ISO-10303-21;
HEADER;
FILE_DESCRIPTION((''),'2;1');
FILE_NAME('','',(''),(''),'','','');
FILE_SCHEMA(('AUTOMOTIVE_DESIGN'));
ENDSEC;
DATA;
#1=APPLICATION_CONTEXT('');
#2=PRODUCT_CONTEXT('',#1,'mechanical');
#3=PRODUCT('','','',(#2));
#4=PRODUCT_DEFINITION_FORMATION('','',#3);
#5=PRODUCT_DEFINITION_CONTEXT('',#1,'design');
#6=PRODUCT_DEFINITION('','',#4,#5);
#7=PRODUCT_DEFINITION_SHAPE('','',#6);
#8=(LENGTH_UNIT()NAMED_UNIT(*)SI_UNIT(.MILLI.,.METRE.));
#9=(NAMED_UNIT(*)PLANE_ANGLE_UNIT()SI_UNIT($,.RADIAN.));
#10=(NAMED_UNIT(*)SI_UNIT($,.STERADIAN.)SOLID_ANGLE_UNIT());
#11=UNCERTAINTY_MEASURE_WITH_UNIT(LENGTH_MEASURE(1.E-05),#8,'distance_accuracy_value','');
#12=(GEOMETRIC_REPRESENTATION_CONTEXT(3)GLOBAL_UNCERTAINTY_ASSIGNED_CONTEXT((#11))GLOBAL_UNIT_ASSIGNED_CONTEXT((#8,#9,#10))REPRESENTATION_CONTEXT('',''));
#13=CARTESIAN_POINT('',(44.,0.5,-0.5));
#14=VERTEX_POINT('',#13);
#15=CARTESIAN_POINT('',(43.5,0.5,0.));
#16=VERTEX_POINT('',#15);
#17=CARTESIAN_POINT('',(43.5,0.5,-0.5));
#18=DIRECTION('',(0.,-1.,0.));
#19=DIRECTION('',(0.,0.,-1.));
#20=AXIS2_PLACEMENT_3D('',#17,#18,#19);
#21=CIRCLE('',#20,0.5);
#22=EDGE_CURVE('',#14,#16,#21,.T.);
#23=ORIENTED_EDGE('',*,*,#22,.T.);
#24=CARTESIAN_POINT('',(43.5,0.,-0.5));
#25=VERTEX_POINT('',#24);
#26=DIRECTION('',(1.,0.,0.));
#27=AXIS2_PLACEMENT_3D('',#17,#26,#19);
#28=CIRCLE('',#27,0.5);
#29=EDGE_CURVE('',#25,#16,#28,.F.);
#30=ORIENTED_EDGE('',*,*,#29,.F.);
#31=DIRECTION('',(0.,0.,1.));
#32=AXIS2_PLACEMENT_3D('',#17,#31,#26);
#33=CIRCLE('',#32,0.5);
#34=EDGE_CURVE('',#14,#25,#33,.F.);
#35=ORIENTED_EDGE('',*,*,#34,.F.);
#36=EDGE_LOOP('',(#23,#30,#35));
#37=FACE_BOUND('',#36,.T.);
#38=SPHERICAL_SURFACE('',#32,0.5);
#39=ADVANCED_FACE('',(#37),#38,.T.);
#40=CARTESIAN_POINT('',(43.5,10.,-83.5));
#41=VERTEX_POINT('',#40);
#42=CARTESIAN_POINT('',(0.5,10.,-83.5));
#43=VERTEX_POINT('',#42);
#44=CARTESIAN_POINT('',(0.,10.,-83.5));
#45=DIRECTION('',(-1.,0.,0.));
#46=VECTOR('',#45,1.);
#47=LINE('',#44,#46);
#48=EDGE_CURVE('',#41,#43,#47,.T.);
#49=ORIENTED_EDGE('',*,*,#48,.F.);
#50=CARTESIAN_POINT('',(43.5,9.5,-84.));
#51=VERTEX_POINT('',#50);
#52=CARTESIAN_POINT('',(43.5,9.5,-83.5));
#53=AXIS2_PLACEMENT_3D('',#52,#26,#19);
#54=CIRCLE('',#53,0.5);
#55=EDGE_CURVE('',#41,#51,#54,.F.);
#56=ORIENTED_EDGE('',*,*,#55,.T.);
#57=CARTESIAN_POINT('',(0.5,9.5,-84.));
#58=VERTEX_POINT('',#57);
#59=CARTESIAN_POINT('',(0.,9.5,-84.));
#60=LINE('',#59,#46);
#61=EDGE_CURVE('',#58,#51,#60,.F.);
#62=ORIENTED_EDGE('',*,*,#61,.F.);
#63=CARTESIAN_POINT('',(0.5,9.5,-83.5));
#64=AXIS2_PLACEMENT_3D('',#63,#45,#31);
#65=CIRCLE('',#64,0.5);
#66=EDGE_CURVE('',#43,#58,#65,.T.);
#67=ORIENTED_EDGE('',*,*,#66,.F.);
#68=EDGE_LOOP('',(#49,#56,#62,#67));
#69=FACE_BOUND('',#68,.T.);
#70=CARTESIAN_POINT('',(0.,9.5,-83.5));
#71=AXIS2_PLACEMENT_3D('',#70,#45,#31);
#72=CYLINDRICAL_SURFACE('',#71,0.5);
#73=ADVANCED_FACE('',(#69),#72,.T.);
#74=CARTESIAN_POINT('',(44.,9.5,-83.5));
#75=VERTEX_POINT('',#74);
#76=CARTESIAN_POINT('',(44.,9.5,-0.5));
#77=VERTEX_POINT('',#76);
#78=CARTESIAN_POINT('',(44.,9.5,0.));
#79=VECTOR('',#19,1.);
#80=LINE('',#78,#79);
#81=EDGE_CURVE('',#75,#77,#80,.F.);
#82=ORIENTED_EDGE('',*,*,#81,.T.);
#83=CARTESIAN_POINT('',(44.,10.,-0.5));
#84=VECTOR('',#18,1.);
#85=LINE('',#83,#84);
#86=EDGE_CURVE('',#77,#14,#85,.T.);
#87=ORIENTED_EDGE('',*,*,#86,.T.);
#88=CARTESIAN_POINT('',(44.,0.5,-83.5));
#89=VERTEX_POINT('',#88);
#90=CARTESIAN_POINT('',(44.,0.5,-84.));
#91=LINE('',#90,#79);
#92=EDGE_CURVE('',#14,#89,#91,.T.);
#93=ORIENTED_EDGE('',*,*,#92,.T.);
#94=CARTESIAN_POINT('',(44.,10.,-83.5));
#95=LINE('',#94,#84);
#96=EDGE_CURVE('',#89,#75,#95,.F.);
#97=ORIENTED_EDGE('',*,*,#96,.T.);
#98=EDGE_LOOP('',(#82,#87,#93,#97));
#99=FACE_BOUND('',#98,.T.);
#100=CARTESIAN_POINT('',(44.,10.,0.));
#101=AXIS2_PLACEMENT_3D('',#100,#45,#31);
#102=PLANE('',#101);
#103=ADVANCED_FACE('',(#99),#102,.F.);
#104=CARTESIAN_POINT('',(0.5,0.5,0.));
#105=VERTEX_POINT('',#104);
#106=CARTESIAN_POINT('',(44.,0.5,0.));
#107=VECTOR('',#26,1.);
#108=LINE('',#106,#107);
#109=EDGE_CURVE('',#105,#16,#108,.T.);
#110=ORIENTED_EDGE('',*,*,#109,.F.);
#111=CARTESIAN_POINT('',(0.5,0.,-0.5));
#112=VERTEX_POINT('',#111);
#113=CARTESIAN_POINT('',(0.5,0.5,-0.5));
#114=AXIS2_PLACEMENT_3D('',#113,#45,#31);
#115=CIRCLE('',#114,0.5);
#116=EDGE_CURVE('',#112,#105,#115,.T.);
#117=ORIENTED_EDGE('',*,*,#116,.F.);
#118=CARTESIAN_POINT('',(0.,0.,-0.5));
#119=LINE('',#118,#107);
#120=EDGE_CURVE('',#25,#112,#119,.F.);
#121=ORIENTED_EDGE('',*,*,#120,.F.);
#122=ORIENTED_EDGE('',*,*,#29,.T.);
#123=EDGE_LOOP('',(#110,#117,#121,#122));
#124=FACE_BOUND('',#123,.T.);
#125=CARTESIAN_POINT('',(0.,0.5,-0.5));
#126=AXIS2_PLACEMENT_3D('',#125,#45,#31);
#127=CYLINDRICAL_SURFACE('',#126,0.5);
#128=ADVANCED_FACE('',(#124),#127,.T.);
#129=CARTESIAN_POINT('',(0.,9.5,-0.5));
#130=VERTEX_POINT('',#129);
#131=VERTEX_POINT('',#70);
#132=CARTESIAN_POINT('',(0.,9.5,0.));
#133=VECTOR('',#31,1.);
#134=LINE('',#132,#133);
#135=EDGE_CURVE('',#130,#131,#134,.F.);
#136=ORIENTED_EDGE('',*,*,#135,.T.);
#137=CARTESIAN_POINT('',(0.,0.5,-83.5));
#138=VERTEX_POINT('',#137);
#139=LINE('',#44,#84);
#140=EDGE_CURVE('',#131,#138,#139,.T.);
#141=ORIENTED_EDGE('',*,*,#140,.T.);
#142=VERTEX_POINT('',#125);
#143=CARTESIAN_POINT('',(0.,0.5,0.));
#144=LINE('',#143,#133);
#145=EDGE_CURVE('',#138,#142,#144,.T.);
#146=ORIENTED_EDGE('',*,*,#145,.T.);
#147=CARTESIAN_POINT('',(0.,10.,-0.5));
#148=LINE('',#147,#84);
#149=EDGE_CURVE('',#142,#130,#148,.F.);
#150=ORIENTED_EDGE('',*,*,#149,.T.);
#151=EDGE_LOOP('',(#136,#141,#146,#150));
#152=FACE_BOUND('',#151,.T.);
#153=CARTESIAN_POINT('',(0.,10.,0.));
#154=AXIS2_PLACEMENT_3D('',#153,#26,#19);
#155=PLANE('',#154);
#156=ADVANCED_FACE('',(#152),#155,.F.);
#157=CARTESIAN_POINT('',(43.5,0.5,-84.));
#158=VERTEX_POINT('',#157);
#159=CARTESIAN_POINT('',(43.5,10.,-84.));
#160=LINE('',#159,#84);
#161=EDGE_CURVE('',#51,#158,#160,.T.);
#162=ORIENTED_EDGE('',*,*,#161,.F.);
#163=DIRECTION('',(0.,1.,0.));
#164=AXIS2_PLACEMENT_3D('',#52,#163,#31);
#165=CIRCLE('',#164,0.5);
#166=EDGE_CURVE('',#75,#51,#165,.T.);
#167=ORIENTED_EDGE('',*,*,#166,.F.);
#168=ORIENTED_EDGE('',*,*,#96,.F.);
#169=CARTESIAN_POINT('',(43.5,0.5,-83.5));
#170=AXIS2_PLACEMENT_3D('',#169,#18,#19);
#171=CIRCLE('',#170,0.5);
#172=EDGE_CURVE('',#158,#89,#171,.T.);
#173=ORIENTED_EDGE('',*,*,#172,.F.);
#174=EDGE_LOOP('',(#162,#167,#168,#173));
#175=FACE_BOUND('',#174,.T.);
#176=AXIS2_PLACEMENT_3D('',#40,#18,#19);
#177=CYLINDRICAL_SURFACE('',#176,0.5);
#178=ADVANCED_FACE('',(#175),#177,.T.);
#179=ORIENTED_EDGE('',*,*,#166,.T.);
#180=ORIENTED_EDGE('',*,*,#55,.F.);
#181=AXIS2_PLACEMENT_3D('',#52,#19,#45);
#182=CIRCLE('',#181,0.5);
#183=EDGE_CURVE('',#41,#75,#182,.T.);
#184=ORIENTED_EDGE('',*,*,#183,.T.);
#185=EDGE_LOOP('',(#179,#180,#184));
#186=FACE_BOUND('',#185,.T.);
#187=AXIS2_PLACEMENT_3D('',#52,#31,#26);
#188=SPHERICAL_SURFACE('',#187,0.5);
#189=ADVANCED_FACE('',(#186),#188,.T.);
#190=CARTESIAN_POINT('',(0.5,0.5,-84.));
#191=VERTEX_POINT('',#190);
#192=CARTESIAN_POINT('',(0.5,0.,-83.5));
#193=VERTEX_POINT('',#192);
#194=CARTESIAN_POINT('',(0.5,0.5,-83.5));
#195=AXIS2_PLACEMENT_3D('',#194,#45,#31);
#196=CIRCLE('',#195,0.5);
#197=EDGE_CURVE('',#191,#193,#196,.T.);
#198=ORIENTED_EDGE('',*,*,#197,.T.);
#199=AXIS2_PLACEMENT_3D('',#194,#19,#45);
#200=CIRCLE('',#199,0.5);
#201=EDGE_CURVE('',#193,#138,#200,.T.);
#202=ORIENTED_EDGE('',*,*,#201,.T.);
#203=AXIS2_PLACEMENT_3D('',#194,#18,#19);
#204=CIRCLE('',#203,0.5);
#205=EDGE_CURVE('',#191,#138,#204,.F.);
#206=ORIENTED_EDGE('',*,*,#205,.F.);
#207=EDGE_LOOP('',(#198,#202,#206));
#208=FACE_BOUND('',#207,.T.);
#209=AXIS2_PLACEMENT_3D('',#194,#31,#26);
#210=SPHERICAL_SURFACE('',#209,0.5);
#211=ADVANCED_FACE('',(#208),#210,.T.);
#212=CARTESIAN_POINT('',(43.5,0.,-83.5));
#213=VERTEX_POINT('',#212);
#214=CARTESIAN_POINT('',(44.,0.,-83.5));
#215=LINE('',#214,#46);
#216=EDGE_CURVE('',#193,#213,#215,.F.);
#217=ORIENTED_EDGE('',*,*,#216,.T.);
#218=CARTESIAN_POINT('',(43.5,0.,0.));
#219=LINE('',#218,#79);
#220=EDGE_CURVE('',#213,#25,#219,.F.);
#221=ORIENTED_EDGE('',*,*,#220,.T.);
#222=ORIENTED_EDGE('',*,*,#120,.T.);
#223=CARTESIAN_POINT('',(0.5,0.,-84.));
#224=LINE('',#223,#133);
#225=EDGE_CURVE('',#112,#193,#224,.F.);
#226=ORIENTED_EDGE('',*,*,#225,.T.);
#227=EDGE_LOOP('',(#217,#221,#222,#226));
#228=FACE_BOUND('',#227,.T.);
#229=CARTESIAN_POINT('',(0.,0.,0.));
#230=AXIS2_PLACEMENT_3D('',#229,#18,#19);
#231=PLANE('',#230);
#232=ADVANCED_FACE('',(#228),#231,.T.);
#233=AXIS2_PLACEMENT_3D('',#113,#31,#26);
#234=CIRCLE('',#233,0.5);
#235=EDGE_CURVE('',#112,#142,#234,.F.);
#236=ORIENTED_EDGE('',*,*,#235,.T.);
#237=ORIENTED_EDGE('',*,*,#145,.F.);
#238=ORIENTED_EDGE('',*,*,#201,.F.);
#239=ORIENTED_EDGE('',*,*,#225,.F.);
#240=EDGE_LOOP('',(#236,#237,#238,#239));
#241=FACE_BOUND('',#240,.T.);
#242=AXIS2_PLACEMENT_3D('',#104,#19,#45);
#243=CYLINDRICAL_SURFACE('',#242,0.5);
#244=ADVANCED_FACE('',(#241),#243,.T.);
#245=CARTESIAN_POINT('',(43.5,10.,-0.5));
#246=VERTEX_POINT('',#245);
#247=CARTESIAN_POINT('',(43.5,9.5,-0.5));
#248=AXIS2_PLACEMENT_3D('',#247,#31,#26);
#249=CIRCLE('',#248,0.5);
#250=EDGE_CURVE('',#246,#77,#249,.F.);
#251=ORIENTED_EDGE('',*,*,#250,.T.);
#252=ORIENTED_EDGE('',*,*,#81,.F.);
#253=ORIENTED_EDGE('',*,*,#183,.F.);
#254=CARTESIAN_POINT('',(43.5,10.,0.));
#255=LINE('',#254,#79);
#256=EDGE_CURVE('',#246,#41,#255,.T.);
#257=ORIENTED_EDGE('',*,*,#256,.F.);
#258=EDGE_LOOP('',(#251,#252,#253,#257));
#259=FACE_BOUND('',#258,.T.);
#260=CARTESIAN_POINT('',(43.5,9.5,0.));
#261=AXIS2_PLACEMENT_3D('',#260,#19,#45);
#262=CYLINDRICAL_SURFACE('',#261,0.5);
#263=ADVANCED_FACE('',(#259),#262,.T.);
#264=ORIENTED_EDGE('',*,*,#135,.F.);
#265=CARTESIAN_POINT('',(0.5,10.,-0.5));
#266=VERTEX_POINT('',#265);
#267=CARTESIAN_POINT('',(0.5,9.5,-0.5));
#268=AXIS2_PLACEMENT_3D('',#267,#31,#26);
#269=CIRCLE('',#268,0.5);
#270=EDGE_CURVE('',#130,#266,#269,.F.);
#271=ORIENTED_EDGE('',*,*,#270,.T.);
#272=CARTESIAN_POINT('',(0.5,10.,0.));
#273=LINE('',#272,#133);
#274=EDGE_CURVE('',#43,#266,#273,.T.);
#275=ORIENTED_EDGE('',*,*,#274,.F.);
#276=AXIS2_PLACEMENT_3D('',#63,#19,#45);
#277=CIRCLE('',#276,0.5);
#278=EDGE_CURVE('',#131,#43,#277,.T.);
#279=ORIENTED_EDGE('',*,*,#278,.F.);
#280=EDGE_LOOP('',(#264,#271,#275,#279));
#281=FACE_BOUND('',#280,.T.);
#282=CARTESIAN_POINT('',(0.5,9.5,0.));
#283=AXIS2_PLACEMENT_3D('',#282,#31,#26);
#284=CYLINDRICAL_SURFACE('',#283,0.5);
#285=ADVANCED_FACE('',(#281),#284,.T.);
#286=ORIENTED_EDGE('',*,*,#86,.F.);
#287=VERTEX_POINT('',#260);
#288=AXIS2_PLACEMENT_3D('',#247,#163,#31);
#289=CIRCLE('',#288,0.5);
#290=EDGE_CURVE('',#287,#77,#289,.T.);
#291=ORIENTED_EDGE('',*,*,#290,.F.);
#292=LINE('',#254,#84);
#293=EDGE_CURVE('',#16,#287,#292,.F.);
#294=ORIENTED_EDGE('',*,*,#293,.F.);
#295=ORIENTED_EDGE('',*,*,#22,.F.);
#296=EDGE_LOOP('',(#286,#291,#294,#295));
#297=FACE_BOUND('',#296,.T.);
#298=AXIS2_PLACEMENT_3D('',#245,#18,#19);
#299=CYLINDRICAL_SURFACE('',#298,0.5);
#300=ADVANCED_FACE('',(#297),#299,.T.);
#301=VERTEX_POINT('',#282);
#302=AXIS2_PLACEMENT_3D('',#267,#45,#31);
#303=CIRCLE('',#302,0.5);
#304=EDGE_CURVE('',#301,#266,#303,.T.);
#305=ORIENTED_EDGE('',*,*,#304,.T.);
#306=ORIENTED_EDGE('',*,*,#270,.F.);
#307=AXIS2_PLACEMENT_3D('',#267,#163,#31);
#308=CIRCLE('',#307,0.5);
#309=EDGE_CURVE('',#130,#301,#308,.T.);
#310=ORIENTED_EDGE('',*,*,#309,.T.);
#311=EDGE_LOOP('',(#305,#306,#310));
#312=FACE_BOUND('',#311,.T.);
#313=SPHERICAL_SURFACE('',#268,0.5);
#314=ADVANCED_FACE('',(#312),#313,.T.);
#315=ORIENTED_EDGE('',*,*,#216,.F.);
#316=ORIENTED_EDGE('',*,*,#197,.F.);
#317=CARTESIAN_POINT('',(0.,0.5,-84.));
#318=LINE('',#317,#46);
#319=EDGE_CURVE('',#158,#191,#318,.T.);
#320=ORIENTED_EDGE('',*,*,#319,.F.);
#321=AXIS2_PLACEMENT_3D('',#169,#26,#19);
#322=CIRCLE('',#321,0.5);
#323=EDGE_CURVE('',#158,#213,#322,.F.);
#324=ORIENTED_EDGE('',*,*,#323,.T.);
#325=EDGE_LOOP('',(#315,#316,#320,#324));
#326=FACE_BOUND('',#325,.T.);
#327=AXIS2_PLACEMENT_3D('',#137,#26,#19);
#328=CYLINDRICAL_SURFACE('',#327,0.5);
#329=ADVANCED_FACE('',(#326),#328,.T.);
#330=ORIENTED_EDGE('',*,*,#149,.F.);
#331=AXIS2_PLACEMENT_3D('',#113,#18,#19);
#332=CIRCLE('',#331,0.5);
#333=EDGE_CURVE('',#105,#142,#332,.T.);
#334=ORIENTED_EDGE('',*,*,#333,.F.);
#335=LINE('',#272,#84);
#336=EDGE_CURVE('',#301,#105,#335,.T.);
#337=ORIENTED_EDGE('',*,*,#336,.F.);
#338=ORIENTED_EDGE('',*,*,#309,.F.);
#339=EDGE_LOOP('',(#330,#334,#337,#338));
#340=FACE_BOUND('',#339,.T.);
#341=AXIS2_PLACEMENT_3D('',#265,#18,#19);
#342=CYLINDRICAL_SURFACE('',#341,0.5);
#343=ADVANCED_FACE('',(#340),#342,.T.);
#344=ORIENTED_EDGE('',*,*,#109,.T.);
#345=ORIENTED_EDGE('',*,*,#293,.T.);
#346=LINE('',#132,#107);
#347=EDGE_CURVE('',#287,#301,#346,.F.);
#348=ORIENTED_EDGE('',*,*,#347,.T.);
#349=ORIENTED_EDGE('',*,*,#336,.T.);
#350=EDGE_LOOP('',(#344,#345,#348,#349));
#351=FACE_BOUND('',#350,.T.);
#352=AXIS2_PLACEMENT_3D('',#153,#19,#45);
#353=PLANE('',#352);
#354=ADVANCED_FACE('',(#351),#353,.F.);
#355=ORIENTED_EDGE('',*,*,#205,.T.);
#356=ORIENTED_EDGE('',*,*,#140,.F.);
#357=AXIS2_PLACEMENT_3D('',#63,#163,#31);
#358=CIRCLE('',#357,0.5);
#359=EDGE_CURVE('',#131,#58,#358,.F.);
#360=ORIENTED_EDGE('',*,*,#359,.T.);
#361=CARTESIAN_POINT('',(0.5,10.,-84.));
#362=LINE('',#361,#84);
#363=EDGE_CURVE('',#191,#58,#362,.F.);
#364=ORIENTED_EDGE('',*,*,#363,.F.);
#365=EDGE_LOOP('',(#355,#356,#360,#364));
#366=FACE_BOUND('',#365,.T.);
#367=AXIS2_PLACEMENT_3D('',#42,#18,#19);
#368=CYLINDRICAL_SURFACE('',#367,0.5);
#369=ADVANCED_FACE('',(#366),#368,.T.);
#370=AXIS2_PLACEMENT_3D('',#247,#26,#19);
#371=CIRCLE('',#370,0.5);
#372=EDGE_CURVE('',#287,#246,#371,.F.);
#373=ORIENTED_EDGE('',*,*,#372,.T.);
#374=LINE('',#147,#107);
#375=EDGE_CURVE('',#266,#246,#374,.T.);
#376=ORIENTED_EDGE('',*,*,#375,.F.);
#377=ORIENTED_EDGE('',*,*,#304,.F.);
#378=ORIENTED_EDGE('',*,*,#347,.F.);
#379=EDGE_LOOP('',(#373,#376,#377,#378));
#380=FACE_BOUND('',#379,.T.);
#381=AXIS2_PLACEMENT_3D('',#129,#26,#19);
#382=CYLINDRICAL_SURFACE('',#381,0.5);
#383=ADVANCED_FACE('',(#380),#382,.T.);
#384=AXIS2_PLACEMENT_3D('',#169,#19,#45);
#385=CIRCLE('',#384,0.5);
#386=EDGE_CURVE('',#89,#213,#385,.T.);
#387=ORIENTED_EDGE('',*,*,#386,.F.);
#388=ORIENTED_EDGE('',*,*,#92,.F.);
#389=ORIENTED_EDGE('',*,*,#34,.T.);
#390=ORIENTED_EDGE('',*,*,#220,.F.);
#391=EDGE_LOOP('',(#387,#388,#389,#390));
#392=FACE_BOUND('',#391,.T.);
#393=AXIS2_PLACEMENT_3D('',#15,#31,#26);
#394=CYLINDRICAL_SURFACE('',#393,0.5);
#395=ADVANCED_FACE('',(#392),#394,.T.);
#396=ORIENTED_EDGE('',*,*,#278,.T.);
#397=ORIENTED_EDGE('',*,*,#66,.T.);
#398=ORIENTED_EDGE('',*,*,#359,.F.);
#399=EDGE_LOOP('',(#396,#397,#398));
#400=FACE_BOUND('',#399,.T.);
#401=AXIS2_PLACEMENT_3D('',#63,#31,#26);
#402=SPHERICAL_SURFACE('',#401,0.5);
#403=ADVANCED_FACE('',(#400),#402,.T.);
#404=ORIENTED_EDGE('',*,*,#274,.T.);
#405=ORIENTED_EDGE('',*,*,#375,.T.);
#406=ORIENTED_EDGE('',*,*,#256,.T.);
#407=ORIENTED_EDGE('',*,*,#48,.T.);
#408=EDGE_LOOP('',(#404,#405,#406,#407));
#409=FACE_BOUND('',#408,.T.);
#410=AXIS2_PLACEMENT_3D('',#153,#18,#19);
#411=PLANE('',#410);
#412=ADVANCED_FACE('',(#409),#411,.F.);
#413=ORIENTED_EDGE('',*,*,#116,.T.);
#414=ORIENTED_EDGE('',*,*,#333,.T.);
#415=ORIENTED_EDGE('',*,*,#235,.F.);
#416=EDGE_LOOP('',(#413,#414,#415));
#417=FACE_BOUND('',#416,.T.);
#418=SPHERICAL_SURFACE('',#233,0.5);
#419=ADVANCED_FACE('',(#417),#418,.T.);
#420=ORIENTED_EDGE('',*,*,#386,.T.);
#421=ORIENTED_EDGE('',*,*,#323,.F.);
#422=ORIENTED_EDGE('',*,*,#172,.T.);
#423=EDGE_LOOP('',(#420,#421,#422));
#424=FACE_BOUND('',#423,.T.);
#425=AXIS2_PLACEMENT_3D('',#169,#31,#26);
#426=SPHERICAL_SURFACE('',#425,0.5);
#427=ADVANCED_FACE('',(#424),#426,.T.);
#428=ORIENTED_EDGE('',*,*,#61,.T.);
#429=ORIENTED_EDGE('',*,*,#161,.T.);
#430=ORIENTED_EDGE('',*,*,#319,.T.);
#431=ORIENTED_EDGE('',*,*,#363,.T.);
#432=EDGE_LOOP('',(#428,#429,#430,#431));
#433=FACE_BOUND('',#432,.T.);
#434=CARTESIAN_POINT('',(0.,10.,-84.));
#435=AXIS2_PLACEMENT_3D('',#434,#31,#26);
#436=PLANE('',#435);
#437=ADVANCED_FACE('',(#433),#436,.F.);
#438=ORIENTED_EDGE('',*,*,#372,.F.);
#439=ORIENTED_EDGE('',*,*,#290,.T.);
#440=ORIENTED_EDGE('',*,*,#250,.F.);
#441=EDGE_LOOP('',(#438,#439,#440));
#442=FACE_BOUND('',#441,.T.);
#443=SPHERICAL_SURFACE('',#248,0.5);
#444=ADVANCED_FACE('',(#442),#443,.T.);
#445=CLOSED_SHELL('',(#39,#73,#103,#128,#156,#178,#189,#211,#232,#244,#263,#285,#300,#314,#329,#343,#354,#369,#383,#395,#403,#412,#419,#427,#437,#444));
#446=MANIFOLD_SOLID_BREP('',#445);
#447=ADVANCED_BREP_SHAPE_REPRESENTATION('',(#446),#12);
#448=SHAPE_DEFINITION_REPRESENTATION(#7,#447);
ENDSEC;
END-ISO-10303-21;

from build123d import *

# Parameters (mm, degrees)
CROQUIS1_W              = 44
CROQUIS1_H              = 84
SALIENTE_EXTRUIR1_DEPTH = 10
REDONDEO2_R             = 0.5


with BuildPart() as part:
    # Croquis1 → Saliente-Extruir1 (new body)
    with BuildSketch(Plane(origin=(0, 0, 0), x_dir=(1, 0, 0), z_dir=(0, 1, 0))):
        with Locations((22, 42)):
            Rectangle(CROQUIS1_W, CROQUIS1_H)
    extrude(amount=SALIENTE_EXTRUIR1_DEPTH)

    # Redondeo2
    redondeo2_edges = [part.edges().sort_by_distance(p)[0] for p in [
        (44, 10, -42),
        (22, 10, -84),
        (0, 10, -42),
        (22, 0, -84),
        (44, 0, -42),
        (22, 0, 0),
        (0, 0, -42),
        (0, 5, -84),
        (44, 5, -84),
        (44, 5, 0),
        (0, 5, 0),
        (22, 10, 0),
    ]]
    fillet(redondeo2_edges, radius=REDONDEO2_R)


solid = part.part
